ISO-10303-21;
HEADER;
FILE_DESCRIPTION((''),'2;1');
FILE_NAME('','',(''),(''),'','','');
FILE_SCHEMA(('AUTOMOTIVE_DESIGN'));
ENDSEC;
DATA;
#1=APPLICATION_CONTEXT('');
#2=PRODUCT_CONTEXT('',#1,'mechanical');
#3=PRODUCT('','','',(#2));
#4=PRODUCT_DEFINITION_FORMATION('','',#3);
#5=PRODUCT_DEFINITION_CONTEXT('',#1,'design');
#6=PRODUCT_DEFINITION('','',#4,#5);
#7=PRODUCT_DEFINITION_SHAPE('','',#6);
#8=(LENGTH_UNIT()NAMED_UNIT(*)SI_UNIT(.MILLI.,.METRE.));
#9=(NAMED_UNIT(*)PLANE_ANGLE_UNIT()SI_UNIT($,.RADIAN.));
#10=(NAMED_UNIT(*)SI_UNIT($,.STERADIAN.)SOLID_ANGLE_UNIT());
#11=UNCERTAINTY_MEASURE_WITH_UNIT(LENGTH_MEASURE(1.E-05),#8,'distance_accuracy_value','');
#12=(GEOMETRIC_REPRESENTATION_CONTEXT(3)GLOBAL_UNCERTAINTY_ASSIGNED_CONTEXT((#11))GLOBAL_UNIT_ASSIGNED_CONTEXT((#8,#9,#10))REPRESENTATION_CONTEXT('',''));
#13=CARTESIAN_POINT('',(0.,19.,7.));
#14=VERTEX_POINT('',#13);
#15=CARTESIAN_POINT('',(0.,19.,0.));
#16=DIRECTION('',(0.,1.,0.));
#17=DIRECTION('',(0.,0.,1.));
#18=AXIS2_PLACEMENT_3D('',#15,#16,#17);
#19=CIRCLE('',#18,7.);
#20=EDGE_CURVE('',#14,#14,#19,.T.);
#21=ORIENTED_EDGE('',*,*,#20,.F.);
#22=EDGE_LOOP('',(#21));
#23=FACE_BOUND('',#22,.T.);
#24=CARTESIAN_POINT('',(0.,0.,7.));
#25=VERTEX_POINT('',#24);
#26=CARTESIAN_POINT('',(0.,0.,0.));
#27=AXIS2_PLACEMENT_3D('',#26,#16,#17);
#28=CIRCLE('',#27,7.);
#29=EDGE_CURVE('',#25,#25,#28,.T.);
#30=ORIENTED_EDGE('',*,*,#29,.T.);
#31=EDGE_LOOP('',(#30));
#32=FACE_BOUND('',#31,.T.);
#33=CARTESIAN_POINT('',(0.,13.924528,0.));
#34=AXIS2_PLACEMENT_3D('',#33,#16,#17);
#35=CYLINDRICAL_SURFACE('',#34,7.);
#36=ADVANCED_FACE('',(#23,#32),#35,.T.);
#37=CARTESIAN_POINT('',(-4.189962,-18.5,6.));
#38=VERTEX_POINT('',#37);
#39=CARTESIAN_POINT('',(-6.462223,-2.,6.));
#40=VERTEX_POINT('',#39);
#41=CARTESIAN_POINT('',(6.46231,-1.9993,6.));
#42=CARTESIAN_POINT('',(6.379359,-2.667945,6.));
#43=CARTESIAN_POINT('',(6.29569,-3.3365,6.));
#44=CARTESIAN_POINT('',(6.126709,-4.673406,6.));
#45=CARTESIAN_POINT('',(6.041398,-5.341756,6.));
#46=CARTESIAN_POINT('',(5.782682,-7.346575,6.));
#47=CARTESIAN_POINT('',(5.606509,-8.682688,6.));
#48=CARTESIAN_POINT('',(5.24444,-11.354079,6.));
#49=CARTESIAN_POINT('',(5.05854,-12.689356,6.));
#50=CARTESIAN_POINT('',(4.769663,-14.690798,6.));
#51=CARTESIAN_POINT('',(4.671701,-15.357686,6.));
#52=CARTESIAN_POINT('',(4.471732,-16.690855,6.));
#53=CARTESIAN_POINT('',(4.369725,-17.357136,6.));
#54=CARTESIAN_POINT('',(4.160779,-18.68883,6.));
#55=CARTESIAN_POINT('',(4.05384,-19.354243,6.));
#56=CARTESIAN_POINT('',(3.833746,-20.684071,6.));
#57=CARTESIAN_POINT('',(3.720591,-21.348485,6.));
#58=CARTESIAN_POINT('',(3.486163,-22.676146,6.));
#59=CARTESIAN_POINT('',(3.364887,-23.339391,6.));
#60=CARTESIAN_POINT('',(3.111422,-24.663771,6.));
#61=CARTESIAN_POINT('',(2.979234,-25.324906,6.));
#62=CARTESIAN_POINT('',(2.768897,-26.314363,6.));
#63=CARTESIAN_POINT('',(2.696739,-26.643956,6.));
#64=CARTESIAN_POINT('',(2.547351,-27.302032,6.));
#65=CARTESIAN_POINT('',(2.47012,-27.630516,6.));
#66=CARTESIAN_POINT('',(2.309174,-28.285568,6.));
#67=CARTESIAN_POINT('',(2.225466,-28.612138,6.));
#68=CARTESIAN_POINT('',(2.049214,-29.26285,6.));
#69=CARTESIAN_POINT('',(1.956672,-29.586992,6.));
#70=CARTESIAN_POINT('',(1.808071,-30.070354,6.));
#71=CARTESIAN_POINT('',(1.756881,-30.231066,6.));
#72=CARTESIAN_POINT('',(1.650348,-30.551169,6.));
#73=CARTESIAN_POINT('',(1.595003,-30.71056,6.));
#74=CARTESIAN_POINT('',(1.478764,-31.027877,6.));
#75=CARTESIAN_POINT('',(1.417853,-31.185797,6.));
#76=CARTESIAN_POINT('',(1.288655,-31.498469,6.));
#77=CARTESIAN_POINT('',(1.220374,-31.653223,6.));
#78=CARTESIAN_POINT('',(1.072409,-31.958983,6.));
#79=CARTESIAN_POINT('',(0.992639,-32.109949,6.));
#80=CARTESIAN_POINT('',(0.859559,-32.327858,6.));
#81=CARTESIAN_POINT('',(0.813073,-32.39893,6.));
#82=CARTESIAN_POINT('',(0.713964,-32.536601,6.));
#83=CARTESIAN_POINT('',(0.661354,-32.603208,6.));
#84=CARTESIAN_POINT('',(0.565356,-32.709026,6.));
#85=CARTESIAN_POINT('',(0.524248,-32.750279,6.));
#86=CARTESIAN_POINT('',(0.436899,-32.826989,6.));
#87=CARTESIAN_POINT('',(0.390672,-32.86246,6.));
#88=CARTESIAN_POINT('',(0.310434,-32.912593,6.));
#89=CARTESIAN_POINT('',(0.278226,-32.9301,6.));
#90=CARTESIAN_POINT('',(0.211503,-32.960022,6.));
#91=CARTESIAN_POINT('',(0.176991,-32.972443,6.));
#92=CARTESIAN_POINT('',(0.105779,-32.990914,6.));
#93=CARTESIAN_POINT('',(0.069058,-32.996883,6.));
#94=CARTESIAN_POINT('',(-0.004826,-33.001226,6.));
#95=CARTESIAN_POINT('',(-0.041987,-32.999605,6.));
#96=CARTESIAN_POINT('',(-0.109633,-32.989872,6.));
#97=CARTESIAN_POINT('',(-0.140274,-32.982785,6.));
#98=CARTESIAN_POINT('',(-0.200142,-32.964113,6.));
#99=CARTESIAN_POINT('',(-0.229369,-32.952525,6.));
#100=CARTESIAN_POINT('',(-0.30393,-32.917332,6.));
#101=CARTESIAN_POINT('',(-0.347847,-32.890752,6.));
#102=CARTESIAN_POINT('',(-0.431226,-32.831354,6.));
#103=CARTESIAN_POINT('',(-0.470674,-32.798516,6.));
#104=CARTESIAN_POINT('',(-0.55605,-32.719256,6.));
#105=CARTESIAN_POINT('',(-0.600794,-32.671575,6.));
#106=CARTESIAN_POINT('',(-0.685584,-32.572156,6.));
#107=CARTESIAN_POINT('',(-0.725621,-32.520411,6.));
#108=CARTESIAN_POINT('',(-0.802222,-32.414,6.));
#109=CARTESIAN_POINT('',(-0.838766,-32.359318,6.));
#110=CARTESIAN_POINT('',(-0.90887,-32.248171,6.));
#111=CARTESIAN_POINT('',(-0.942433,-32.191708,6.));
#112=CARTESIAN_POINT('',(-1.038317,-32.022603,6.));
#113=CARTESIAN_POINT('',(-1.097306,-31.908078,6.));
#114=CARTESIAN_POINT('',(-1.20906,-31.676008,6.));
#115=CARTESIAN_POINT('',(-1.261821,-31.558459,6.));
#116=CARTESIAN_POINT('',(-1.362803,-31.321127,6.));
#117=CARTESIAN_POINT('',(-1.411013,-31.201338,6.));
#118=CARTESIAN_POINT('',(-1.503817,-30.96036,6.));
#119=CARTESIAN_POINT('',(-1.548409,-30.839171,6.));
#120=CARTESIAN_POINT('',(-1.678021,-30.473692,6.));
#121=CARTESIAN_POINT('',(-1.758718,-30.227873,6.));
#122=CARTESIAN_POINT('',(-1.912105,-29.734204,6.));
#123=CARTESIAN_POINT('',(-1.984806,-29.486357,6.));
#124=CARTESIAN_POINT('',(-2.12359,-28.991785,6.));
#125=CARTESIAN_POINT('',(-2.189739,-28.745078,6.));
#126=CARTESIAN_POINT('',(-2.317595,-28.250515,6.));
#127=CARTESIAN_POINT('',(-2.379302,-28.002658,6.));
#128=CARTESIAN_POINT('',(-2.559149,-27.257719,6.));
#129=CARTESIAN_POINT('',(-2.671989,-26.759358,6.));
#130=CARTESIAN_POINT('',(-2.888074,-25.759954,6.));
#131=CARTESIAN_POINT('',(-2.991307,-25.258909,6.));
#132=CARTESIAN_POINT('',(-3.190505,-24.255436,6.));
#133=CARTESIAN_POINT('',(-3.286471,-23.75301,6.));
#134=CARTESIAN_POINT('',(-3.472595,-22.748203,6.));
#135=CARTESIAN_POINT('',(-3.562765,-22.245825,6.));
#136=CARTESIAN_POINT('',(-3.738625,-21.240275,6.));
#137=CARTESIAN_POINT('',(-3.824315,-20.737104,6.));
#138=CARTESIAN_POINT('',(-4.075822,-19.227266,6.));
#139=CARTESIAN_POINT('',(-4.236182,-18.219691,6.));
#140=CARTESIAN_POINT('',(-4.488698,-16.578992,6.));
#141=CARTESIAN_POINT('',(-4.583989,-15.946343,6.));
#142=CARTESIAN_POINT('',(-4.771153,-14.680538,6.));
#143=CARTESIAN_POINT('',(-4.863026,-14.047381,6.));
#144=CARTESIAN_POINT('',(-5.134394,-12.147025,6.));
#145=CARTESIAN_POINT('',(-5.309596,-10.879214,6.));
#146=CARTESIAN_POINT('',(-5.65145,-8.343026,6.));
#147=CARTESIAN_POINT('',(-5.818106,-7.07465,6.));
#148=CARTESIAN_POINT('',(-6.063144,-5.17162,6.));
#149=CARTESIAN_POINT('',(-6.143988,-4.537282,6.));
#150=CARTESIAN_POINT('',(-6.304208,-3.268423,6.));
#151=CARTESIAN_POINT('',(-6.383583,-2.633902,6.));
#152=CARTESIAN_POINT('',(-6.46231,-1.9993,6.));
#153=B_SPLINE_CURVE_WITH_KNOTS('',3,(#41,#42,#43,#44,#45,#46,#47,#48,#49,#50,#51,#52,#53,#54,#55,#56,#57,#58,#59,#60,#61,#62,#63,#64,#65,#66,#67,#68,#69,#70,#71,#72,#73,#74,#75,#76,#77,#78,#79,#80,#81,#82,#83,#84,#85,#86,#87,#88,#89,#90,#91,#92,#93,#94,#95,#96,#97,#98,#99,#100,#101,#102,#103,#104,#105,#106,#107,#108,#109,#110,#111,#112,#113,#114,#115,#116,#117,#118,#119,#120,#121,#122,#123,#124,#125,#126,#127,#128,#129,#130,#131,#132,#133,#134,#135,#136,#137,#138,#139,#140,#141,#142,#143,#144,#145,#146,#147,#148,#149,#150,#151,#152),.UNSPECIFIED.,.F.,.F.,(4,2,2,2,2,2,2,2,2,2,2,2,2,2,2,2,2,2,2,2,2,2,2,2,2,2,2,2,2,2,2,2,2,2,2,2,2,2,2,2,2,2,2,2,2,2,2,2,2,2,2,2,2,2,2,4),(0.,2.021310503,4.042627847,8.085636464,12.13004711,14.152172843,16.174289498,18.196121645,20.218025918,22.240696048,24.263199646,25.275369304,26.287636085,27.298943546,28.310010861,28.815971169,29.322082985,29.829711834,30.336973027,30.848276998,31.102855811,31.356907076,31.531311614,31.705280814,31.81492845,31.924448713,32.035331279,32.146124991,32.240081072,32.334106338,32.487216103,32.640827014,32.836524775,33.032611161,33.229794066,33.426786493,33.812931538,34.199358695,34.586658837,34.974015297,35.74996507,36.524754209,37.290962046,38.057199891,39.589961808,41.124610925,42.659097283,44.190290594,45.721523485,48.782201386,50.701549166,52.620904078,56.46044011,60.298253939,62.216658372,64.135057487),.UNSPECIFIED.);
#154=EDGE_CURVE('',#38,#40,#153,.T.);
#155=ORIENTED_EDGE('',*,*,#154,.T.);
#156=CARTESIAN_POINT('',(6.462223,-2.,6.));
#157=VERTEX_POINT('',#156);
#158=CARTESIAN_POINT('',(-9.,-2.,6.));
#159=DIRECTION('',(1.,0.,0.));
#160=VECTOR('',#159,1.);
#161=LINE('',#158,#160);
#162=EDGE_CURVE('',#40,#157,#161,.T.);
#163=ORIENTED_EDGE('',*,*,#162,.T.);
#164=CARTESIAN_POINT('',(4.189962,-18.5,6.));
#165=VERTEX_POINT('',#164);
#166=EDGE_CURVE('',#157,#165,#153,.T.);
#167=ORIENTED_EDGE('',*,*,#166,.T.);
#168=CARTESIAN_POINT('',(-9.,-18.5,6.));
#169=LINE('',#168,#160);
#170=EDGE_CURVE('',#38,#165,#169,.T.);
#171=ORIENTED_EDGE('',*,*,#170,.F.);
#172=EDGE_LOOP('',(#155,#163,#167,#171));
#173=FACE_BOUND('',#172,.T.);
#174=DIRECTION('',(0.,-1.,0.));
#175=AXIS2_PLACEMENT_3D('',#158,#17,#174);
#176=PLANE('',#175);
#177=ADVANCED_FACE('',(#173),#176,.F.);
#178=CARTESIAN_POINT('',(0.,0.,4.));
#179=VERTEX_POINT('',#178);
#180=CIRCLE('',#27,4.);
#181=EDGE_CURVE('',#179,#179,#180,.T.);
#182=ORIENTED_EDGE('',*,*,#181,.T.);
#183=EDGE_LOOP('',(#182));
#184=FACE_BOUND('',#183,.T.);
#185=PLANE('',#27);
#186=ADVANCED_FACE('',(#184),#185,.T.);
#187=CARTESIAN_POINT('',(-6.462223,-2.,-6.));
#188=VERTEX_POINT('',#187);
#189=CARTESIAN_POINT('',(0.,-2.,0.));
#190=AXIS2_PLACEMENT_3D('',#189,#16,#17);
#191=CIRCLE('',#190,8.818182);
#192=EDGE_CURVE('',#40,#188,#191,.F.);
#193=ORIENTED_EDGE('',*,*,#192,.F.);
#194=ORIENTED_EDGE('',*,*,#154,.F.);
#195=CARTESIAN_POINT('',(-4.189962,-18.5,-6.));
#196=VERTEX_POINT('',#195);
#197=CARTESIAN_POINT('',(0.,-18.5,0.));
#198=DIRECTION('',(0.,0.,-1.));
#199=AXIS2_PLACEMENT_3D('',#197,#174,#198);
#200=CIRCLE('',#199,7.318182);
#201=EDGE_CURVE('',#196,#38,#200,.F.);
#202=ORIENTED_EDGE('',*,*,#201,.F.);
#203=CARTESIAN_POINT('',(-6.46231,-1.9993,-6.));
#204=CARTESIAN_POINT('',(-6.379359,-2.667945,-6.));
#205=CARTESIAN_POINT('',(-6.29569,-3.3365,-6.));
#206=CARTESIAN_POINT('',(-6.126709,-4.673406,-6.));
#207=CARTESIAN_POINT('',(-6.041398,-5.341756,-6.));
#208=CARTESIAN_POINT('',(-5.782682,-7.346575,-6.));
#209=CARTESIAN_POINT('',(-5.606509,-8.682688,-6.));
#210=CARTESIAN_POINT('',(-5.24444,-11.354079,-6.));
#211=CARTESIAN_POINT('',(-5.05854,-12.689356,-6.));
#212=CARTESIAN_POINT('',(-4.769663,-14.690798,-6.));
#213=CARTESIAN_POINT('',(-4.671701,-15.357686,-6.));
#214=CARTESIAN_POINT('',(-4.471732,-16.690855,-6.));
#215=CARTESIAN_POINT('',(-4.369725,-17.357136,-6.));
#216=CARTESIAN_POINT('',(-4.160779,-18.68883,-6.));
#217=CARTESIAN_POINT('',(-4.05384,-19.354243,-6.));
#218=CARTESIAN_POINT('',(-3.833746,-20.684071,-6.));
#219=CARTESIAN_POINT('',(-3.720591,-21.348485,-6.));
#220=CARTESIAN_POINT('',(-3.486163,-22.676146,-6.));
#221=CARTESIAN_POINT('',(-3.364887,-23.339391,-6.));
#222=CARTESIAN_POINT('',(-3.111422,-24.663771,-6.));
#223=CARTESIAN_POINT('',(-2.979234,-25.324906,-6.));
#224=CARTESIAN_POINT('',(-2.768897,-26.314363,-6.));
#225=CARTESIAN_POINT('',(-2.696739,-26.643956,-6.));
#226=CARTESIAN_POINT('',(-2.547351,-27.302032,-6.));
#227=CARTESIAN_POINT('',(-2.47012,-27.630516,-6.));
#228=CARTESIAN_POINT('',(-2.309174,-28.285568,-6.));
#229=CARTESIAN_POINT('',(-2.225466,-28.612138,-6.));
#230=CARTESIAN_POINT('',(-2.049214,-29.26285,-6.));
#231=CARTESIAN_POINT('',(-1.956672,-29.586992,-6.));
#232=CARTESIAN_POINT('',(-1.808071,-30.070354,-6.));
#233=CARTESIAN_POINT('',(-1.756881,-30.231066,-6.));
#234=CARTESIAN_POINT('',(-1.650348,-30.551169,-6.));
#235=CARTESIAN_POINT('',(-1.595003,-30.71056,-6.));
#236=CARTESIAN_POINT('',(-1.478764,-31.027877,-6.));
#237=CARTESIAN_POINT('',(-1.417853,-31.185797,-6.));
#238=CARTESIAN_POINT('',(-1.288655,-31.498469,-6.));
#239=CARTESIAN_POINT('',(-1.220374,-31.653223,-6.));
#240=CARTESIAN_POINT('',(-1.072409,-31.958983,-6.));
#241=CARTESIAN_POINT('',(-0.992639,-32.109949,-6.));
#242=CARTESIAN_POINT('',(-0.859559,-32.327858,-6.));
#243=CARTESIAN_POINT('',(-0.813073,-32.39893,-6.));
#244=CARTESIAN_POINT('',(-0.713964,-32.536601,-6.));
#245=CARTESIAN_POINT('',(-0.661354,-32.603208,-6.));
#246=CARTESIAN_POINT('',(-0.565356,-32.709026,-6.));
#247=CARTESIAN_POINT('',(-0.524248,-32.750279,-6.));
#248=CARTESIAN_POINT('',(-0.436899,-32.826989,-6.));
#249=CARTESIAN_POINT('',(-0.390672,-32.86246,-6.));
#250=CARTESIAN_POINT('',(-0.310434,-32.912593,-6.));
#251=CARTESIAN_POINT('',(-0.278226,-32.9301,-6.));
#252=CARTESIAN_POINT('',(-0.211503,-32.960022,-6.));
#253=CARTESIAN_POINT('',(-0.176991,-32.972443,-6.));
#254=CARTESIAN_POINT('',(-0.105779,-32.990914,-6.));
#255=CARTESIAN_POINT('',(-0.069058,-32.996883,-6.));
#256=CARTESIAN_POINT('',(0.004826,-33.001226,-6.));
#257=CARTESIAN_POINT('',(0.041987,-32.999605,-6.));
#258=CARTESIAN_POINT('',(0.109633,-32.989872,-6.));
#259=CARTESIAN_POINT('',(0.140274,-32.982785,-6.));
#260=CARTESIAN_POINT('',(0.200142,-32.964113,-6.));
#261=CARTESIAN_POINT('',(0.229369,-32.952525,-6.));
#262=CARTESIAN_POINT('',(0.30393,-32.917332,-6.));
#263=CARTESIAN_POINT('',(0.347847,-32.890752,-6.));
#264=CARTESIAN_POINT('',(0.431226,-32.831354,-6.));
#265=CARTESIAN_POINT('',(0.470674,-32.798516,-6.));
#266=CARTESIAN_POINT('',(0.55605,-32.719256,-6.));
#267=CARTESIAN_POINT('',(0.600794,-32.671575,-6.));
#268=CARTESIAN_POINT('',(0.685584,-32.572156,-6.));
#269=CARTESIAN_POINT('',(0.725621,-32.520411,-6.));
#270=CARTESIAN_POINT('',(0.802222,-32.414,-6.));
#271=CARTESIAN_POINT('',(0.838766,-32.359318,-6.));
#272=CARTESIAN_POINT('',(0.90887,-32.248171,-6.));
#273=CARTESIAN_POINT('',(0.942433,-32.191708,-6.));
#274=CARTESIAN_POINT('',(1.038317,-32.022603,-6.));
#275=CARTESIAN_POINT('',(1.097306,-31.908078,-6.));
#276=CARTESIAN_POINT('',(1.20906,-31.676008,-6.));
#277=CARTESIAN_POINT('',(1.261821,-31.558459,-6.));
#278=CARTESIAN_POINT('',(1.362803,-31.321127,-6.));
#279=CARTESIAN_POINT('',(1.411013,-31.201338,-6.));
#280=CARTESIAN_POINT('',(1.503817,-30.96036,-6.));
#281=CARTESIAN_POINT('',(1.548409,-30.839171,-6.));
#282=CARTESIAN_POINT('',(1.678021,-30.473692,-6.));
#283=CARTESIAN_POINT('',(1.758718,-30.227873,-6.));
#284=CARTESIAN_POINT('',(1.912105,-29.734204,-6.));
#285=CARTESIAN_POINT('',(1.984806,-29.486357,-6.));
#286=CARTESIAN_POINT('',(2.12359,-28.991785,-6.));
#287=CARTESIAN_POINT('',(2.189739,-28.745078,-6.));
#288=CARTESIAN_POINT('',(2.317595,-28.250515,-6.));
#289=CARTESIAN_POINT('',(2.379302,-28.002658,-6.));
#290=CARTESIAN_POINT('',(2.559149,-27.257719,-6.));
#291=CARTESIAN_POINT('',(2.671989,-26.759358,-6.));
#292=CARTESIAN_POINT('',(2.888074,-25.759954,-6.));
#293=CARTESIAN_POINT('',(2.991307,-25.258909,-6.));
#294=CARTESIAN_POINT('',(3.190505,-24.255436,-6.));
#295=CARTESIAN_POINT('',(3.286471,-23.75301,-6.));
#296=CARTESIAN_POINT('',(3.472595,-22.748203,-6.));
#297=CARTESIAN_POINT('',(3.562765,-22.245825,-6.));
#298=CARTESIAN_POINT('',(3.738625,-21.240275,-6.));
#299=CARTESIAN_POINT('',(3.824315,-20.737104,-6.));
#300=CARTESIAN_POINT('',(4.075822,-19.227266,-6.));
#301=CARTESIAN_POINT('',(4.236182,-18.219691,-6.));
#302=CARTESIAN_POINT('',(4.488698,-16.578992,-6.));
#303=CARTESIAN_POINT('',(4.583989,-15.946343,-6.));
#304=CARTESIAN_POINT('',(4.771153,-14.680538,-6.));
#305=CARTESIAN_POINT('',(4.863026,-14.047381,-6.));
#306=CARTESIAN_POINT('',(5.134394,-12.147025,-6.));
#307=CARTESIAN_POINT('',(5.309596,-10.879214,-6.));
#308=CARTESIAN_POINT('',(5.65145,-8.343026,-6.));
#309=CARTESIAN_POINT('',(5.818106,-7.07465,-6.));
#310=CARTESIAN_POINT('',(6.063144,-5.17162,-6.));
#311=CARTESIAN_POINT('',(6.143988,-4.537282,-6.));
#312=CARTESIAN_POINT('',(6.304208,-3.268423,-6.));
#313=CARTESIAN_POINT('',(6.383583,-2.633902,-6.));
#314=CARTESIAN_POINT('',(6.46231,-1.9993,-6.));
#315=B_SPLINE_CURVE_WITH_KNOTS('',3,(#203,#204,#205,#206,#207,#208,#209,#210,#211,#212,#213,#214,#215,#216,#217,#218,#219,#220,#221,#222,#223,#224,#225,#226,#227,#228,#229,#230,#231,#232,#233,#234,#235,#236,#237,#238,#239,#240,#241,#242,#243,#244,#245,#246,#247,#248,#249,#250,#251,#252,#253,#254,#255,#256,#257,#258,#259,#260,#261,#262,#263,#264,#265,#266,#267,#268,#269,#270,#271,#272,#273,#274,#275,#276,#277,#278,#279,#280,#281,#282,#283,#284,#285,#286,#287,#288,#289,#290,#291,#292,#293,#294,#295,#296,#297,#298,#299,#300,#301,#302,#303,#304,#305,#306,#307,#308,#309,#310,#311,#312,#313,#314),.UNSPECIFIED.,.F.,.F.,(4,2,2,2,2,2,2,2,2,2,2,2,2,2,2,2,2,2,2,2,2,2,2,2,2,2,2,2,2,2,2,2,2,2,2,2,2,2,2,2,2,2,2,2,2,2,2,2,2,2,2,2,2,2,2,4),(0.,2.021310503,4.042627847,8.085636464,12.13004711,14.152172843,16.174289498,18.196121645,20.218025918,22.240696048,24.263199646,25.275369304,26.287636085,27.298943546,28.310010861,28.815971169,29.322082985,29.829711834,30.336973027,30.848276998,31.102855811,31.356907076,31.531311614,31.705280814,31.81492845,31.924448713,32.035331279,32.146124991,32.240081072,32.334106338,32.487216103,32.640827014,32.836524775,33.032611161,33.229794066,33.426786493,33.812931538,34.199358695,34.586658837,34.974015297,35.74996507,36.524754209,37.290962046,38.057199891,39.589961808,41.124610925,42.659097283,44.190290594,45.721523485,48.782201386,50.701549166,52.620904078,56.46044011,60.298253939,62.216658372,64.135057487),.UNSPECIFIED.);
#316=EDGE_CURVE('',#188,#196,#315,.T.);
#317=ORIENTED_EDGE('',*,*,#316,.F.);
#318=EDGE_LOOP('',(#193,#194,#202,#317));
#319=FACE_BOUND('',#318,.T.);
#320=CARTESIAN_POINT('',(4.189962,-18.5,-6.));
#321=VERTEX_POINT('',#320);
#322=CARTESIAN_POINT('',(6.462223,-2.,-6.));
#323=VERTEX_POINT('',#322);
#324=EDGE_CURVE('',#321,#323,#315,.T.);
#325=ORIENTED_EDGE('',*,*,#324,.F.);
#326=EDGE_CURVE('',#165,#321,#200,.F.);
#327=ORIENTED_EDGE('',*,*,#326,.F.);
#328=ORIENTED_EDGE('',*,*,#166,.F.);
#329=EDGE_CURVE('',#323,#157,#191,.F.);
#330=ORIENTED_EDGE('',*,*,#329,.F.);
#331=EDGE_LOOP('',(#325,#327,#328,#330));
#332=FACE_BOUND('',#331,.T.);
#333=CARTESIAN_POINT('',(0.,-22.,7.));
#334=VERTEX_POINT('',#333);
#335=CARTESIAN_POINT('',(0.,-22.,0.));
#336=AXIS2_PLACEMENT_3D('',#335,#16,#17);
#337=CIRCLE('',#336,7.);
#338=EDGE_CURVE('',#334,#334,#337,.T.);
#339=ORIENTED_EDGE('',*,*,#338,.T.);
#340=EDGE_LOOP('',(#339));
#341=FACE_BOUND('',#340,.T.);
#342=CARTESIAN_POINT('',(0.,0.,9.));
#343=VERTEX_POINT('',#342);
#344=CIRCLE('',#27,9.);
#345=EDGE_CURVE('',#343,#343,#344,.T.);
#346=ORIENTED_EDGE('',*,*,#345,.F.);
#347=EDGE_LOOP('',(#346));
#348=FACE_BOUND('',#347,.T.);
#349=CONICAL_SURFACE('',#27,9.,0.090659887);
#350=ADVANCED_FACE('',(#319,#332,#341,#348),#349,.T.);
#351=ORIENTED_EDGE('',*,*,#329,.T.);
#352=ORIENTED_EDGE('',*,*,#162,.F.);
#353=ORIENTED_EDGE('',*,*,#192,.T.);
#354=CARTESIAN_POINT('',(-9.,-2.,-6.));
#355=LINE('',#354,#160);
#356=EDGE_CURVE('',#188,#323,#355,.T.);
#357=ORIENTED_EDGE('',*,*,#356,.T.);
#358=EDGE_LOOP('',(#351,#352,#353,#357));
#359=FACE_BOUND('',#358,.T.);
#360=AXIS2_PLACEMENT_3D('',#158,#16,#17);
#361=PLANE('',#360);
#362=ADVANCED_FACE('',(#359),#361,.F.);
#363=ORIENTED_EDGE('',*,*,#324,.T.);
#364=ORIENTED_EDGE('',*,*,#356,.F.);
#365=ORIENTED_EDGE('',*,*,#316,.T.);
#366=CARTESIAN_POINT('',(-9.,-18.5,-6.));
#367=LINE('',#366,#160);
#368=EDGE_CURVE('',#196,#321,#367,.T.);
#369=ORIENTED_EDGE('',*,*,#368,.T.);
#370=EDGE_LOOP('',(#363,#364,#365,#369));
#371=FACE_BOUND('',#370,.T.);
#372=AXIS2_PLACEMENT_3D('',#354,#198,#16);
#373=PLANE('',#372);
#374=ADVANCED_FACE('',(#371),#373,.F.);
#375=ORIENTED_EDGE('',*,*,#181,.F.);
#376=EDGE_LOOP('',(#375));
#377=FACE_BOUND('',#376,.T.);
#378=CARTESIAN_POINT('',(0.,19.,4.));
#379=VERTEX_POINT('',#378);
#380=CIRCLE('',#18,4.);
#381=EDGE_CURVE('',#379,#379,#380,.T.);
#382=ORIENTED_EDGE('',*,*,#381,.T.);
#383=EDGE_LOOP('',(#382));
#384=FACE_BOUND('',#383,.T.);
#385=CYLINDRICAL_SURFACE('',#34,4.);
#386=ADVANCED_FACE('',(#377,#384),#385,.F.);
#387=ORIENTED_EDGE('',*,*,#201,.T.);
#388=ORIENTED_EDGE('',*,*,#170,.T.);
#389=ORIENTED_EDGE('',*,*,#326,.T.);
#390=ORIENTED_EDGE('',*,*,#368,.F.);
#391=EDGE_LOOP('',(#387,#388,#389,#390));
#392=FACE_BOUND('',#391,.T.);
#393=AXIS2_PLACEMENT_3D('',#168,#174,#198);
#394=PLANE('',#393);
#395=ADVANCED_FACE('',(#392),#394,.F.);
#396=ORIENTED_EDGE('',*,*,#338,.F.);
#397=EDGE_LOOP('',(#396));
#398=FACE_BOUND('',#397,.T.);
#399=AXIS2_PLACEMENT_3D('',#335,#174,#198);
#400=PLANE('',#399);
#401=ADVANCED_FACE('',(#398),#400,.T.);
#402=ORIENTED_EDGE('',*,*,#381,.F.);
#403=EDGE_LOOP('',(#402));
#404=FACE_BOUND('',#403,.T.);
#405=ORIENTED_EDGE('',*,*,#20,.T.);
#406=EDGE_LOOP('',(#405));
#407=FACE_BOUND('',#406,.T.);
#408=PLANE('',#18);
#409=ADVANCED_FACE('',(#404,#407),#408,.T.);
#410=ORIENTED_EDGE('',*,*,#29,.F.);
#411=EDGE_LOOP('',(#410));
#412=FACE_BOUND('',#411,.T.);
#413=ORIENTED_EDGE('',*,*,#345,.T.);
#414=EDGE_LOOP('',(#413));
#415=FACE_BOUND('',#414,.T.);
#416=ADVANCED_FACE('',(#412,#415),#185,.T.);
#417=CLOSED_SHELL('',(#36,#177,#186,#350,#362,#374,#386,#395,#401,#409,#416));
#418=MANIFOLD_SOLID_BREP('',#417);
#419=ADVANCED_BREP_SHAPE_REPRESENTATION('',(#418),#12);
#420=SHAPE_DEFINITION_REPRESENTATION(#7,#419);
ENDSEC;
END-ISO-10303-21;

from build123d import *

# Parameters (mm, degrees)
SKETCH1_W               = 3
SKETCH1_H               = 19
SKETCH2_W               = 12
SKETCH2_H               = 16.5
CUT_EXTRUDE1_DEPTH      = 10
CUT_EXTRUDE1_DEPTH_BACK = 10


with BuildPart() as part:
    # Sketch1 → Revolve1 (revolve)
    with BuildSketch(Plane(origin=(0, 0, 0), x_dir=(0, 0, -1), z_dir=(1, 0, 0))):
        with Locations((5.5, 9.5)):
            Rectangle(SKETCH1_W, SKETCH1_H)
        Polygon((7, 0), (4, 0), (0, 0), (0, -22), (7, -22), (9, 0), align=None)
    revolve(axis=Axis((0, 13.924528302, 0), (0, -1, 0)))

    # Sketch2 → Cut-Extrude1 (cut, two sides)
    with BuildSketch(Plane(origin=(0, 0, 0), x_dir=(0, 0, -1), z_dir=(1, 0, 0))) as cut_extrude1_sk:
        with Locations((0, -10.25)):
            Rectangle(SKETCH2_W, SKETCH2_H)
    extrude(amount=CUT_EXTRUDE1_DEPTH, mode=Mode.SUBTRACT)
    extrude(cut_extrude1_sk.sketch, amount=-CUT_EXTRUDE1_DEPTH_BACK, mode=Mode.SUBTRACT)


solid = part.part
